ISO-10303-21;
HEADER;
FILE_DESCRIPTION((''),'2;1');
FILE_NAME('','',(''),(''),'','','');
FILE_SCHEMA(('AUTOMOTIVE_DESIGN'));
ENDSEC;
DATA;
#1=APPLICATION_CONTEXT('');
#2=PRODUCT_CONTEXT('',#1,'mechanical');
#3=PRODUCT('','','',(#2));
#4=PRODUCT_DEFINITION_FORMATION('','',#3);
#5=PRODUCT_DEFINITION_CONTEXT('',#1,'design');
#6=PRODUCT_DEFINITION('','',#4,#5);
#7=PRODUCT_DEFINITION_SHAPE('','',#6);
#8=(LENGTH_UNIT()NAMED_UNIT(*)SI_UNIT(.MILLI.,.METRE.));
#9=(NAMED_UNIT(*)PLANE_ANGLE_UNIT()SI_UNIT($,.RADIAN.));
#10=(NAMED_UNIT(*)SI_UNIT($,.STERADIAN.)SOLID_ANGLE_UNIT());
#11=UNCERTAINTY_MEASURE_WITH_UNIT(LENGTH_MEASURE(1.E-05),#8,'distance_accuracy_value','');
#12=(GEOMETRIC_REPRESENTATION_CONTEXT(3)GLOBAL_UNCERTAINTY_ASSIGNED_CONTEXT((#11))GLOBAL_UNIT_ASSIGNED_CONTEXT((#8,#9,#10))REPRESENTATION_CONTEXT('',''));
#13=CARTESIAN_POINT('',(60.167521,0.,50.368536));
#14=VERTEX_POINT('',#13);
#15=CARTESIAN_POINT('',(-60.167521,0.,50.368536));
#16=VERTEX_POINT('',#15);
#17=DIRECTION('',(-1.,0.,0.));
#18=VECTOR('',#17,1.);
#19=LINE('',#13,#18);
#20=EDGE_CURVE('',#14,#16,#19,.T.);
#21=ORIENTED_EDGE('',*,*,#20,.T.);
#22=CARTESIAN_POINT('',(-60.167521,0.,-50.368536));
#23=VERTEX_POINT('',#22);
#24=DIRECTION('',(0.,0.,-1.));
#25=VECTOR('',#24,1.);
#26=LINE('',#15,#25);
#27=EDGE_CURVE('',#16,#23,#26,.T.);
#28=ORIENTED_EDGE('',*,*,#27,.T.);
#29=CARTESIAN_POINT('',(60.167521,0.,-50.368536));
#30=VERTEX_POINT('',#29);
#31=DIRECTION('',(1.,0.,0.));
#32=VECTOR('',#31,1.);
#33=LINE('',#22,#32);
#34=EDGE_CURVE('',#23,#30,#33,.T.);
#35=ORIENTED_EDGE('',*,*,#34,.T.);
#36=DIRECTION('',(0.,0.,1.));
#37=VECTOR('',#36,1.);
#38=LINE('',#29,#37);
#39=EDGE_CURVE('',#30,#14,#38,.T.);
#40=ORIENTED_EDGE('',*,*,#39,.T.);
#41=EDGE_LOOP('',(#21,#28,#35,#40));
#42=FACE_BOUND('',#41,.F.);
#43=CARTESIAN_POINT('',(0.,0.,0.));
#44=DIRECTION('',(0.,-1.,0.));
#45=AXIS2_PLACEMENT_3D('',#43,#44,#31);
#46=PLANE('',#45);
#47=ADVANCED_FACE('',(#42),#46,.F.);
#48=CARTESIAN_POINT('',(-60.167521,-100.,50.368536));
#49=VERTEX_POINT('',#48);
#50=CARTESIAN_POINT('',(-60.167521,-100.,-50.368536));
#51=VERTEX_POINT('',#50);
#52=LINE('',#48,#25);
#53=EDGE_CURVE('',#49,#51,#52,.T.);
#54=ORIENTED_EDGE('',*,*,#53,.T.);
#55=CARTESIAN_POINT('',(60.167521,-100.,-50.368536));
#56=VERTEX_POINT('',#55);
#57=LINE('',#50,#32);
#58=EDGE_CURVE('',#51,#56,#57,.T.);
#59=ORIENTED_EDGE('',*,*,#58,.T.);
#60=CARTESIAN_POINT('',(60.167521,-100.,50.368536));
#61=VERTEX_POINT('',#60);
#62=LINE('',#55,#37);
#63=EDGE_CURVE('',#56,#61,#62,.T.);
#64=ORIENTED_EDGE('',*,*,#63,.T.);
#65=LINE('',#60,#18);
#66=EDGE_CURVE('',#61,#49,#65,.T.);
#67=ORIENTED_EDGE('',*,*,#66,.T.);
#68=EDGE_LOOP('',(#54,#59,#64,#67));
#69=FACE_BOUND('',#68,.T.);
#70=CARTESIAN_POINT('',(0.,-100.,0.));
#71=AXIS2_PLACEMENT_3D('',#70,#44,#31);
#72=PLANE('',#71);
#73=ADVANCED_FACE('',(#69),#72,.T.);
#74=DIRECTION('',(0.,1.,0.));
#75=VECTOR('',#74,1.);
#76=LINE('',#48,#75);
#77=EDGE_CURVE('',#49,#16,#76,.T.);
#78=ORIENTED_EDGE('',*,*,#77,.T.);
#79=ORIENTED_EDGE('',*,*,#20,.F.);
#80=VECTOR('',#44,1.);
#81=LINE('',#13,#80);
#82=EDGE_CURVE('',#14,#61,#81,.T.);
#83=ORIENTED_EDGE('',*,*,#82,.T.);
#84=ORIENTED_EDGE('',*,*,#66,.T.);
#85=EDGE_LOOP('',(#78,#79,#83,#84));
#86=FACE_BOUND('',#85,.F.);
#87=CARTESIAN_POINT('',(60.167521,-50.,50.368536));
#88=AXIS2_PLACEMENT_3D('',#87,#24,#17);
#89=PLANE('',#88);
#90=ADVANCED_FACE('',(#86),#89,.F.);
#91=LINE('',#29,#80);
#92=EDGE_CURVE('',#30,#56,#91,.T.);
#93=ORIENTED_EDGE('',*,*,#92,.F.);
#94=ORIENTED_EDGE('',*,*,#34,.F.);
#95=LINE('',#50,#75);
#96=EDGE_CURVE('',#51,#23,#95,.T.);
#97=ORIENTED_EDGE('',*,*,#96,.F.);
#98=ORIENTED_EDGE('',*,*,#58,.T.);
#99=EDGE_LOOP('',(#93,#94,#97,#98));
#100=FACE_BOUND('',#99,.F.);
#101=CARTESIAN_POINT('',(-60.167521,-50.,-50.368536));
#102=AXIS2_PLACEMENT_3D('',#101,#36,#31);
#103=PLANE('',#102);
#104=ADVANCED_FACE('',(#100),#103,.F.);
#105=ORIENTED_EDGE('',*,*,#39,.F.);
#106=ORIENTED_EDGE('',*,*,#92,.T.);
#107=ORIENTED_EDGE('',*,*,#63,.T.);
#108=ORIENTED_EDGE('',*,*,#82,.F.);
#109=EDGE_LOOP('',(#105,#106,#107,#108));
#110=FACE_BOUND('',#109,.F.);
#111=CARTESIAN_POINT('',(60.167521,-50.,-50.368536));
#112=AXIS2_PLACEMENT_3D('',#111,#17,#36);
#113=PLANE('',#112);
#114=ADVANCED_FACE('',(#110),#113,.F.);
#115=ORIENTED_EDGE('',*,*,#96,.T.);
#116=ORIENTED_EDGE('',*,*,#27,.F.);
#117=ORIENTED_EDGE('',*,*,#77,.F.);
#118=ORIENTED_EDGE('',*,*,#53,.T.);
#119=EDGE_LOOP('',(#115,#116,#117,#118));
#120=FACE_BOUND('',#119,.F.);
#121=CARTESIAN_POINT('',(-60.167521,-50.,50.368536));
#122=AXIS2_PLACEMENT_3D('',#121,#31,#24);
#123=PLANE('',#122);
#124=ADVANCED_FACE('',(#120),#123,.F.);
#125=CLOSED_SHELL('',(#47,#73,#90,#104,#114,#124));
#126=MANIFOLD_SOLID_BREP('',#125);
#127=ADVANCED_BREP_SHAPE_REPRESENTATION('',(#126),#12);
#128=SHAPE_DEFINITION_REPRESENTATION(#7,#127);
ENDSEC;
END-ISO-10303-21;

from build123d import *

# Parameters (mm, degrees)
F2_DEPTH = 25
F3_DEPTH = 25
F4_DEPTH = 50


with BuildPart() as f2:
    # F1 (on face) → F2 (new body)
    with BuildSketch(Plane.XZ):
        Polygon((-60.1675212383, -50.3685362637), (60.1675212383, -50.3685362637), (60.1675212383, 50.3685362637), (-60.1675212383, 50.3685362637), (-60.1675212383, 50.0784505724), align=None)
    extrude(amount=F2_DEPTH)

    # F3 (add): a face of the model
    f3_faces = [f2.faces().sort_by_distance(p)[0] for p in [
        (0, -25, 0),
    ]]
    extrude(f3_faces, amount=F3_DEPTH)

    # F4 (add): a face of the model
    f4_faces = [f2.faces().sort_by_distance(p)[0] for p in [
        (0, -50, 0),
    ]]
    extrude(f4_faces, amount=F4_DEPTH)


solid = f2.part
